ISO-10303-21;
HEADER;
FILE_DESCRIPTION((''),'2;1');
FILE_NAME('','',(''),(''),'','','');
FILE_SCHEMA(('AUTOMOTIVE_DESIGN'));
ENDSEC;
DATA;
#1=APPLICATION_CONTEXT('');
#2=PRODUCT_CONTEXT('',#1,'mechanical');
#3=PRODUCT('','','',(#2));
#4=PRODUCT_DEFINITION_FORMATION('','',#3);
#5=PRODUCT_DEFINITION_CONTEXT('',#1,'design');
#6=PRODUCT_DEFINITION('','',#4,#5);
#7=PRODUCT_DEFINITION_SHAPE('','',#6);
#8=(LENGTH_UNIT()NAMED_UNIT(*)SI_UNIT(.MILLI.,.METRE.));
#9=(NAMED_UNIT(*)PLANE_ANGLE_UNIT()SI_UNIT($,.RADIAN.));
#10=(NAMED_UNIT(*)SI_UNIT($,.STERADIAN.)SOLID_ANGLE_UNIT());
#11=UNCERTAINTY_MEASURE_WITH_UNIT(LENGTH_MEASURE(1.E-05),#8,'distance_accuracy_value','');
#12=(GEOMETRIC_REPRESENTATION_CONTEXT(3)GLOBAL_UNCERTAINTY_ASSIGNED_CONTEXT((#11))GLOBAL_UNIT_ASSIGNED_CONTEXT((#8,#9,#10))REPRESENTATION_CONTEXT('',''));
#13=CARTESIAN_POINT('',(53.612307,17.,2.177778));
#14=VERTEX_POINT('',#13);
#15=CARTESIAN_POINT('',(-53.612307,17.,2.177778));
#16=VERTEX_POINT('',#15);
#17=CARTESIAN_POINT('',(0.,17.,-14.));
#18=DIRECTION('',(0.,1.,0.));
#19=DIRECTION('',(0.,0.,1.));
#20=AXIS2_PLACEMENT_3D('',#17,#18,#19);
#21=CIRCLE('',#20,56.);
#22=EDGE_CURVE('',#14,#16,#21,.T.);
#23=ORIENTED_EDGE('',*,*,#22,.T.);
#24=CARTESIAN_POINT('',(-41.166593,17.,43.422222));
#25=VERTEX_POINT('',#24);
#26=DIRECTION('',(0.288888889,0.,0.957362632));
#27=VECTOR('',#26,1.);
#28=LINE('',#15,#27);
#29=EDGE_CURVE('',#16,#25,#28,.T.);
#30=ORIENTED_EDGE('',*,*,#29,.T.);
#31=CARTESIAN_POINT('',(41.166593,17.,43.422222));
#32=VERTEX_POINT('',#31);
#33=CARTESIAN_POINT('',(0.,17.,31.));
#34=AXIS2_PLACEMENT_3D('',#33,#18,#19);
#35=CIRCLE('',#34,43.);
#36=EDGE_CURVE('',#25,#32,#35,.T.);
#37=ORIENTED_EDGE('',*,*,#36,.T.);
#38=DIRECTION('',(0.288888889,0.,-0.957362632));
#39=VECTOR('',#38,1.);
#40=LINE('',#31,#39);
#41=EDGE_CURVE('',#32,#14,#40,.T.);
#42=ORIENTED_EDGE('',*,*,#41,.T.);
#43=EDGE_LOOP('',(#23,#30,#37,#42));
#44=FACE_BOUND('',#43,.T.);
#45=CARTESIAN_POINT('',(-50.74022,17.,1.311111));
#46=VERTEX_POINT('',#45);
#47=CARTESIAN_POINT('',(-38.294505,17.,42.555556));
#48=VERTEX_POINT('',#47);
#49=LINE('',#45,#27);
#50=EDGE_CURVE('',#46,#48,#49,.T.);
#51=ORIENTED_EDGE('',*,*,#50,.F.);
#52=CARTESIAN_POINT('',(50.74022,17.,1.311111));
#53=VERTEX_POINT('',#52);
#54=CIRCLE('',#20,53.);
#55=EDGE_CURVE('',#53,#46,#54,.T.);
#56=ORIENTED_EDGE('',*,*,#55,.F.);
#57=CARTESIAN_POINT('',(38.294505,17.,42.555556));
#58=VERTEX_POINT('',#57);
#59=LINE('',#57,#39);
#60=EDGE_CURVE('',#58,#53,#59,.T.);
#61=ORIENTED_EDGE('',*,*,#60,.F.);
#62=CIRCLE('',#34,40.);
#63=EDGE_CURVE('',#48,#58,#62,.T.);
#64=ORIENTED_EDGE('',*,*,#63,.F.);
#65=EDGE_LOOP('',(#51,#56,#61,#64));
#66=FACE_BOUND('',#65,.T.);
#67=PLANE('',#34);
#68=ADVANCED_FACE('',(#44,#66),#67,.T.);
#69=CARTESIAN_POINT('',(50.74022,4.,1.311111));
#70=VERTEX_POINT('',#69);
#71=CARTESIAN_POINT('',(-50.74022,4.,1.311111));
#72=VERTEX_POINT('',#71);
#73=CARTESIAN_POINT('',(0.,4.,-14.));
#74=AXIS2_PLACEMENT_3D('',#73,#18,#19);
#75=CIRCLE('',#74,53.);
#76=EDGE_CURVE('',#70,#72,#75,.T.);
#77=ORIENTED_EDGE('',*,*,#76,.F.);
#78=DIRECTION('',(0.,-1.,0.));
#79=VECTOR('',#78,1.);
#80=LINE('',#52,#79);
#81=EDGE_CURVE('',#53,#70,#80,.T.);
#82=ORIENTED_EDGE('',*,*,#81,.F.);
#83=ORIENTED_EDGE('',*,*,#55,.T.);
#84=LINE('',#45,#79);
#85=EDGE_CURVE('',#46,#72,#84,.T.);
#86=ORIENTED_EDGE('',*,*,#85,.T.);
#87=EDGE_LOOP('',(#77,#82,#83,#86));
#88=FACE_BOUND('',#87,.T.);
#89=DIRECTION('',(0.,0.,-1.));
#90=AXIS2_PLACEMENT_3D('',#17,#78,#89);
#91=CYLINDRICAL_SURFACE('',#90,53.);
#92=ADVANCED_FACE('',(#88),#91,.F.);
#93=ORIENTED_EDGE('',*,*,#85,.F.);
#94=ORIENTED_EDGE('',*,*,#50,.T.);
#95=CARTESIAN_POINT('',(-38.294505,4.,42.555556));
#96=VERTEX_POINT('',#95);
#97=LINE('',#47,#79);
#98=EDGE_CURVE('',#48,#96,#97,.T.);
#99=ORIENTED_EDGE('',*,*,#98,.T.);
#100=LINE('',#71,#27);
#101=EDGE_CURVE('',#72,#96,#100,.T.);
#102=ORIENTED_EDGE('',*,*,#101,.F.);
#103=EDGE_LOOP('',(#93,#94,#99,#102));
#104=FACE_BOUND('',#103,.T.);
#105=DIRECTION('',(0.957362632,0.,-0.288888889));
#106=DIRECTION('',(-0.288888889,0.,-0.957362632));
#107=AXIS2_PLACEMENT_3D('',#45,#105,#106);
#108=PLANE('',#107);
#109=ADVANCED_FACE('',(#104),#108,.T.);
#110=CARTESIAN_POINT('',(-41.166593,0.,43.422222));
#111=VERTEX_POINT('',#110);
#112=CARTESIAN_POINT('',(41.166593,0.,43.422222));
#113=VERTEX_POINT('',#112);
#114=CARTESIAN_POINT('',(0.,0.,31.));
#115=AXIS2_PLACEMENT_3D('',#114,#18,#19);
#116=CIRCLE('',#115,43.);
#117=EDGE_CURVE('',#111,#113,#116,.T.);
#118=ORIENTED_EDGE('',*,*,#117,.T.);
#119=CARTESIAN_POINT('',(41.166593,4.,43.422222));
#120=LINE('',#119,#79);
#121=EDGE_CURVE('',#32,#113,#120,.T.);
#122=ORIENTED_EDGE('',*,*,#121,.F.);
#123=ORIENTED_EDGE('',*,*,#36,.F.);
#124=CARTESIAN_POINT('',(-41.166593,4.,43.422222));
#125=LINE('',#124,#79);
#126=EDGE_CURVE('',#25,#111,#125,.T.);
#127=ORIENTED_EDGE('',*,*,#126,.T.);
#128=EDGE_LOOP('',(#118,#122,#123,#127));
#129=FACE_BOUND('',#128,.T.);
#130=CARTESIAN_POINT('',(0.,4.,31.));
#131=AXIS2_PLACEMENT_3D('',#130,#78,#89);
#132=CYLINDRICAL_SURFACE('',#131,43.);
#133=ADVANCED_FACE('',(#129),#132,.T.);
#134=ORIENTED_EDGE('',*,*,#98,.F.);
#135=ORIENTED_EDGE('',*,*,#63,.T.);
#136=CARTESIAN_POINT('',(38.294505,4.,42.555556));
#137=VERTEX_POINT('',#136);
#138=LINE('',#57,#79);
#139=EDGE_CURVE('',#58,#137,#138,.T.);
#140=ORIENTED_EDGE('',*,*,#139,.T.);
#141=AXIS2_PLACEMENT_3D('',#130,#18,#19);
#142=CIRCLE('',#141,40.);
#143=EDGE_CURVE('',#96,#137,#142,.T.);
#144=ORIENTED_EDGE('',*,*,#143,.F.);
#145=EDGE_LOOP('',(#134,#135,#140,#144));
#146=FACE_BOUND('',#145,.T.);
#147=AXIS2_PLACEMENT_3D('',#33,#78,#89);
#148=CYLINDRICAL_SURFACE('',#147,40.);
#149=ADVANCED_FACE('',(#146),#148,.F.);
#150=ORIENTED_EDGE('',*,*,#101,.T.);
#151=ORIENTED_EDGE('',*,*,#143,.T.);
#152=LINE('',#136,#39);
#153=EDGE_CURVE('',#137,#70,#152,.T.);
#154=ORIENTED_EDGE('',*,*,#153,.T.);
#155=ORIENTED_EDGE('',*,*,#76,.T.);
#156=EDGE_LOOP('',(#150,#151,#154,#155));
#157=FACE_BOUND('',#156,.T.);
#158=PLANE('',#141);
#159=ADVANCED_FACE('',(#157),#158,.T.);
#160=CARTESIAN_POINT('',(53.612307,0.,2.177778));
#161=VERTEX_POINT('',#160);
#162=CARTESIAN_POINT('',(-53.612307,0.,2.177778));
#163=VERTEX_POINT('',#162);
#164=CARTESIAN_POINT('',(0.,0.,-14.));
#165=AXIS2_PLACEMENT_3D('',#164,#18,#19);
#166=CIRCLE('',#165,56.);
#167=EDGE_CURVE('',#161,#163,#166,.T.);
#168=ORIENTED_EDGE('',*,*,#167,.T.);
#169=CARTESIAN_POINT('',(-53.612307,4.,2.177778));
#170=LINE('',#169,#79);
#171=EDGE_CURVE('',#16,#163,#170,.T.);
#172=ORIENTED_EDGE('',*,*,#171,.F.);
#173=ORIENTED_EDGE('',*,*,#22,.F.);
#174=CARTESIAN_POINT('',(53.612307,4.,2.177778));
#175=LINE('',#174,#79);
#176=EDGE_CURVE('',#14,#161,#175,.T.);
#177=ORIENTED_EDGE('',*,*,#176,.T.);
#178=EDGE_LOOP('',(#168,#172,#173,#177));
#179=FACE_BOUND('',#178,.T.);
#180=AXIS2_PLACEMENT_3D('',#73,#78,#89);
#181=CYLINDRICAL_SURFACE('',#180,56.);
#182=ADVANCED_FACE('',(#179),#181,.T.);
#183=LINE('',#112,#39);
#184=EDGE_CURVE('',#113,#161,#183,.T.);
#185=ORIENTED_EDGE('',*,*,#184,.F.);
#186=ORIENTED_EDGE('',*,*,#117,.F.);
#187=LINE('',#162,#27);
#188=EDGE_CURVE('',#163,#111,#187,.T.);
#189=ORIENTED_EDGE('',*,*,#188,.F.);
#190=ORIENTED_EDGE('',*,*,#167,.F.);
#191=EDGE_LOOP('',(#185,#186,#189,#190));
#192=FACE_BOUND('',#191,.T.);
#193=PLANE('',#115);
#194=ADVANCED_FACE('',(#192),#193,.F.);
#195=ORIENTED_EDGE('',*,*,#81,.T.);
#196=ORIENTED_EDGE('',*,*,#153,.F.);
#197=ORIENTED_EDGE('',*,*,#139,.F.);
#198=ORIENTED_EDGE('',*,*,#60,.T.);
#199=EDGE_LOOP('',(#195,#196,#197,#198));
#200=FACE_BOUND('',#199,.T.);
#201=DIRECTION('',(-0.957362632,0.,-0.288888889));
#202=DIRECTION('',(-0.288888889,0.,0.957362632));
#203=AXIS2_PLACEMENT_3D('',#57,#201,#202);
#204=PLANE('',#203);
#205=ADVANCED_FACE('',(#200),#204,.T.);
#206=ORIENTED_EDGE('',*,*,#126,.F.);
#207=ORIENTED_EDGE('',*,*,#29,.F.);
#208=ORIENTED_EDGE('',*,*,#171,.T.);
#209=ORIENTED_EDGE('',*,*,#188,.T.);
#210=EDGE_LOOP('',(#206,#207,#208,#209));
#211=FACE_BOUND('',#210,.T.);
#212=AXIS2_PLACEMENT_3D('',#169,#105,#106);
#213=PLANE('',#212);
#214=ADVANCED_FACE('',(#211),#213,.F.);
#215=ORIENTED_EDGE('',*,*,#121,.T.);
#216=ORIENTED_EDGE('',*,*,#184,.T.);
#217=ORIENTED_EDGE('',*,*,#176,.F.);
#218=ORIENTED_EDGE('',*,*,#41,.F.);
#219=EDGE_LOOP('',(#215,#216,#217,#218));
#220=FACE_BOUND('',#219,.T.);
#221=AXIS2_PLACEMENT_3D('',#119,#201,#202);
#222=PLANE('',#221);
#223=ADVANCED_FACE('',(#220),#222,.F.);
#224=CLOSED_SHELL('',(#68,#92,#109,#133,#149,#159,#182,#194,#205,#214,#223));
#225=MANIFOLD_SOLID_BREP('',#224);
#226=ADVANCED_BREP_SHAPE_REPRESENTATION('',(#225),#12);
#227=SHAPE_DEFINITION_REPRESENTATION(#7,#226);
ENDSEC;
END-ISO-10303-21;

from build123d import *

# Parameters (mm, degrees)
SALIENTE_EXTRUIR1_DEPTH = 4
SALIENTE_EXTRUIR3_DEPTH = 13


with BuildPart() as part:
    # Croquis1 → Saliente-Extruir1 (new body)
    with BuildSketch(Plane(origin=(0, 0, 0), x_dir=(1, 0, 0), z_dir=(0, 1, 0))):
        with BuildLine():
            Line((-53.612307413, -2.177777778), (-41.166593192, -43.422222222))
            ThreePointArc((-41.166593192, -43.422222222), (0, -74), (41.166593192, -43.422222222))
            Line((41.166593192, -43.422222222), (53.612307413, -2.177777778))
            ThreePointArc((53.612307413, -2.177777778), (0, 70), (-53.612307413, -2.177777778))
        make_face()
    extrude(amount=SALIENTE_EXTRUIR1_DEPTH)

    # Croquis3 → Saliente-Extruir3 (add)
    with BuildSketch(Plane(origin=(0, 4, 0), x_dir=(1, 0, 0), z_dir=(0, 1, 0))):
        with BuildLine():
            Line((41.166593192, -43.422222222), (53.612307413, -2.177777778))
            ThreePointArc((53.612307413, -2.177777778), (0, 70), (-53.612307413, -2.177777778))
            Line((-53.612307413, -2.177777778), (-41.166593192, -43.422222222))
            ThreePointArc((-41.166593192, -43.422222222), (0, -74), (41.166593192, -43.422222222))
        make_face()
        with BuildLine():
            Line((38.294505295, -42.555555556), (50.740219516, -1.311111111))
            ThreePointArc((50.740219516, -1.311111111), (0, 67), (-50.740219516, -1.311111111))
            Line((-50.740219516, -1.311111111), (-38.294505295, -42.555555556))
            ThreePointArc((-38.294505295, -42.555555556), (0, -71), (38.294505295, -42.555555556))
        make_face(mode=Mode.SUBTRACT)
    extrude(amount=SALIENTE_EXTRUIR3_DEPTH)


solid = part.part
